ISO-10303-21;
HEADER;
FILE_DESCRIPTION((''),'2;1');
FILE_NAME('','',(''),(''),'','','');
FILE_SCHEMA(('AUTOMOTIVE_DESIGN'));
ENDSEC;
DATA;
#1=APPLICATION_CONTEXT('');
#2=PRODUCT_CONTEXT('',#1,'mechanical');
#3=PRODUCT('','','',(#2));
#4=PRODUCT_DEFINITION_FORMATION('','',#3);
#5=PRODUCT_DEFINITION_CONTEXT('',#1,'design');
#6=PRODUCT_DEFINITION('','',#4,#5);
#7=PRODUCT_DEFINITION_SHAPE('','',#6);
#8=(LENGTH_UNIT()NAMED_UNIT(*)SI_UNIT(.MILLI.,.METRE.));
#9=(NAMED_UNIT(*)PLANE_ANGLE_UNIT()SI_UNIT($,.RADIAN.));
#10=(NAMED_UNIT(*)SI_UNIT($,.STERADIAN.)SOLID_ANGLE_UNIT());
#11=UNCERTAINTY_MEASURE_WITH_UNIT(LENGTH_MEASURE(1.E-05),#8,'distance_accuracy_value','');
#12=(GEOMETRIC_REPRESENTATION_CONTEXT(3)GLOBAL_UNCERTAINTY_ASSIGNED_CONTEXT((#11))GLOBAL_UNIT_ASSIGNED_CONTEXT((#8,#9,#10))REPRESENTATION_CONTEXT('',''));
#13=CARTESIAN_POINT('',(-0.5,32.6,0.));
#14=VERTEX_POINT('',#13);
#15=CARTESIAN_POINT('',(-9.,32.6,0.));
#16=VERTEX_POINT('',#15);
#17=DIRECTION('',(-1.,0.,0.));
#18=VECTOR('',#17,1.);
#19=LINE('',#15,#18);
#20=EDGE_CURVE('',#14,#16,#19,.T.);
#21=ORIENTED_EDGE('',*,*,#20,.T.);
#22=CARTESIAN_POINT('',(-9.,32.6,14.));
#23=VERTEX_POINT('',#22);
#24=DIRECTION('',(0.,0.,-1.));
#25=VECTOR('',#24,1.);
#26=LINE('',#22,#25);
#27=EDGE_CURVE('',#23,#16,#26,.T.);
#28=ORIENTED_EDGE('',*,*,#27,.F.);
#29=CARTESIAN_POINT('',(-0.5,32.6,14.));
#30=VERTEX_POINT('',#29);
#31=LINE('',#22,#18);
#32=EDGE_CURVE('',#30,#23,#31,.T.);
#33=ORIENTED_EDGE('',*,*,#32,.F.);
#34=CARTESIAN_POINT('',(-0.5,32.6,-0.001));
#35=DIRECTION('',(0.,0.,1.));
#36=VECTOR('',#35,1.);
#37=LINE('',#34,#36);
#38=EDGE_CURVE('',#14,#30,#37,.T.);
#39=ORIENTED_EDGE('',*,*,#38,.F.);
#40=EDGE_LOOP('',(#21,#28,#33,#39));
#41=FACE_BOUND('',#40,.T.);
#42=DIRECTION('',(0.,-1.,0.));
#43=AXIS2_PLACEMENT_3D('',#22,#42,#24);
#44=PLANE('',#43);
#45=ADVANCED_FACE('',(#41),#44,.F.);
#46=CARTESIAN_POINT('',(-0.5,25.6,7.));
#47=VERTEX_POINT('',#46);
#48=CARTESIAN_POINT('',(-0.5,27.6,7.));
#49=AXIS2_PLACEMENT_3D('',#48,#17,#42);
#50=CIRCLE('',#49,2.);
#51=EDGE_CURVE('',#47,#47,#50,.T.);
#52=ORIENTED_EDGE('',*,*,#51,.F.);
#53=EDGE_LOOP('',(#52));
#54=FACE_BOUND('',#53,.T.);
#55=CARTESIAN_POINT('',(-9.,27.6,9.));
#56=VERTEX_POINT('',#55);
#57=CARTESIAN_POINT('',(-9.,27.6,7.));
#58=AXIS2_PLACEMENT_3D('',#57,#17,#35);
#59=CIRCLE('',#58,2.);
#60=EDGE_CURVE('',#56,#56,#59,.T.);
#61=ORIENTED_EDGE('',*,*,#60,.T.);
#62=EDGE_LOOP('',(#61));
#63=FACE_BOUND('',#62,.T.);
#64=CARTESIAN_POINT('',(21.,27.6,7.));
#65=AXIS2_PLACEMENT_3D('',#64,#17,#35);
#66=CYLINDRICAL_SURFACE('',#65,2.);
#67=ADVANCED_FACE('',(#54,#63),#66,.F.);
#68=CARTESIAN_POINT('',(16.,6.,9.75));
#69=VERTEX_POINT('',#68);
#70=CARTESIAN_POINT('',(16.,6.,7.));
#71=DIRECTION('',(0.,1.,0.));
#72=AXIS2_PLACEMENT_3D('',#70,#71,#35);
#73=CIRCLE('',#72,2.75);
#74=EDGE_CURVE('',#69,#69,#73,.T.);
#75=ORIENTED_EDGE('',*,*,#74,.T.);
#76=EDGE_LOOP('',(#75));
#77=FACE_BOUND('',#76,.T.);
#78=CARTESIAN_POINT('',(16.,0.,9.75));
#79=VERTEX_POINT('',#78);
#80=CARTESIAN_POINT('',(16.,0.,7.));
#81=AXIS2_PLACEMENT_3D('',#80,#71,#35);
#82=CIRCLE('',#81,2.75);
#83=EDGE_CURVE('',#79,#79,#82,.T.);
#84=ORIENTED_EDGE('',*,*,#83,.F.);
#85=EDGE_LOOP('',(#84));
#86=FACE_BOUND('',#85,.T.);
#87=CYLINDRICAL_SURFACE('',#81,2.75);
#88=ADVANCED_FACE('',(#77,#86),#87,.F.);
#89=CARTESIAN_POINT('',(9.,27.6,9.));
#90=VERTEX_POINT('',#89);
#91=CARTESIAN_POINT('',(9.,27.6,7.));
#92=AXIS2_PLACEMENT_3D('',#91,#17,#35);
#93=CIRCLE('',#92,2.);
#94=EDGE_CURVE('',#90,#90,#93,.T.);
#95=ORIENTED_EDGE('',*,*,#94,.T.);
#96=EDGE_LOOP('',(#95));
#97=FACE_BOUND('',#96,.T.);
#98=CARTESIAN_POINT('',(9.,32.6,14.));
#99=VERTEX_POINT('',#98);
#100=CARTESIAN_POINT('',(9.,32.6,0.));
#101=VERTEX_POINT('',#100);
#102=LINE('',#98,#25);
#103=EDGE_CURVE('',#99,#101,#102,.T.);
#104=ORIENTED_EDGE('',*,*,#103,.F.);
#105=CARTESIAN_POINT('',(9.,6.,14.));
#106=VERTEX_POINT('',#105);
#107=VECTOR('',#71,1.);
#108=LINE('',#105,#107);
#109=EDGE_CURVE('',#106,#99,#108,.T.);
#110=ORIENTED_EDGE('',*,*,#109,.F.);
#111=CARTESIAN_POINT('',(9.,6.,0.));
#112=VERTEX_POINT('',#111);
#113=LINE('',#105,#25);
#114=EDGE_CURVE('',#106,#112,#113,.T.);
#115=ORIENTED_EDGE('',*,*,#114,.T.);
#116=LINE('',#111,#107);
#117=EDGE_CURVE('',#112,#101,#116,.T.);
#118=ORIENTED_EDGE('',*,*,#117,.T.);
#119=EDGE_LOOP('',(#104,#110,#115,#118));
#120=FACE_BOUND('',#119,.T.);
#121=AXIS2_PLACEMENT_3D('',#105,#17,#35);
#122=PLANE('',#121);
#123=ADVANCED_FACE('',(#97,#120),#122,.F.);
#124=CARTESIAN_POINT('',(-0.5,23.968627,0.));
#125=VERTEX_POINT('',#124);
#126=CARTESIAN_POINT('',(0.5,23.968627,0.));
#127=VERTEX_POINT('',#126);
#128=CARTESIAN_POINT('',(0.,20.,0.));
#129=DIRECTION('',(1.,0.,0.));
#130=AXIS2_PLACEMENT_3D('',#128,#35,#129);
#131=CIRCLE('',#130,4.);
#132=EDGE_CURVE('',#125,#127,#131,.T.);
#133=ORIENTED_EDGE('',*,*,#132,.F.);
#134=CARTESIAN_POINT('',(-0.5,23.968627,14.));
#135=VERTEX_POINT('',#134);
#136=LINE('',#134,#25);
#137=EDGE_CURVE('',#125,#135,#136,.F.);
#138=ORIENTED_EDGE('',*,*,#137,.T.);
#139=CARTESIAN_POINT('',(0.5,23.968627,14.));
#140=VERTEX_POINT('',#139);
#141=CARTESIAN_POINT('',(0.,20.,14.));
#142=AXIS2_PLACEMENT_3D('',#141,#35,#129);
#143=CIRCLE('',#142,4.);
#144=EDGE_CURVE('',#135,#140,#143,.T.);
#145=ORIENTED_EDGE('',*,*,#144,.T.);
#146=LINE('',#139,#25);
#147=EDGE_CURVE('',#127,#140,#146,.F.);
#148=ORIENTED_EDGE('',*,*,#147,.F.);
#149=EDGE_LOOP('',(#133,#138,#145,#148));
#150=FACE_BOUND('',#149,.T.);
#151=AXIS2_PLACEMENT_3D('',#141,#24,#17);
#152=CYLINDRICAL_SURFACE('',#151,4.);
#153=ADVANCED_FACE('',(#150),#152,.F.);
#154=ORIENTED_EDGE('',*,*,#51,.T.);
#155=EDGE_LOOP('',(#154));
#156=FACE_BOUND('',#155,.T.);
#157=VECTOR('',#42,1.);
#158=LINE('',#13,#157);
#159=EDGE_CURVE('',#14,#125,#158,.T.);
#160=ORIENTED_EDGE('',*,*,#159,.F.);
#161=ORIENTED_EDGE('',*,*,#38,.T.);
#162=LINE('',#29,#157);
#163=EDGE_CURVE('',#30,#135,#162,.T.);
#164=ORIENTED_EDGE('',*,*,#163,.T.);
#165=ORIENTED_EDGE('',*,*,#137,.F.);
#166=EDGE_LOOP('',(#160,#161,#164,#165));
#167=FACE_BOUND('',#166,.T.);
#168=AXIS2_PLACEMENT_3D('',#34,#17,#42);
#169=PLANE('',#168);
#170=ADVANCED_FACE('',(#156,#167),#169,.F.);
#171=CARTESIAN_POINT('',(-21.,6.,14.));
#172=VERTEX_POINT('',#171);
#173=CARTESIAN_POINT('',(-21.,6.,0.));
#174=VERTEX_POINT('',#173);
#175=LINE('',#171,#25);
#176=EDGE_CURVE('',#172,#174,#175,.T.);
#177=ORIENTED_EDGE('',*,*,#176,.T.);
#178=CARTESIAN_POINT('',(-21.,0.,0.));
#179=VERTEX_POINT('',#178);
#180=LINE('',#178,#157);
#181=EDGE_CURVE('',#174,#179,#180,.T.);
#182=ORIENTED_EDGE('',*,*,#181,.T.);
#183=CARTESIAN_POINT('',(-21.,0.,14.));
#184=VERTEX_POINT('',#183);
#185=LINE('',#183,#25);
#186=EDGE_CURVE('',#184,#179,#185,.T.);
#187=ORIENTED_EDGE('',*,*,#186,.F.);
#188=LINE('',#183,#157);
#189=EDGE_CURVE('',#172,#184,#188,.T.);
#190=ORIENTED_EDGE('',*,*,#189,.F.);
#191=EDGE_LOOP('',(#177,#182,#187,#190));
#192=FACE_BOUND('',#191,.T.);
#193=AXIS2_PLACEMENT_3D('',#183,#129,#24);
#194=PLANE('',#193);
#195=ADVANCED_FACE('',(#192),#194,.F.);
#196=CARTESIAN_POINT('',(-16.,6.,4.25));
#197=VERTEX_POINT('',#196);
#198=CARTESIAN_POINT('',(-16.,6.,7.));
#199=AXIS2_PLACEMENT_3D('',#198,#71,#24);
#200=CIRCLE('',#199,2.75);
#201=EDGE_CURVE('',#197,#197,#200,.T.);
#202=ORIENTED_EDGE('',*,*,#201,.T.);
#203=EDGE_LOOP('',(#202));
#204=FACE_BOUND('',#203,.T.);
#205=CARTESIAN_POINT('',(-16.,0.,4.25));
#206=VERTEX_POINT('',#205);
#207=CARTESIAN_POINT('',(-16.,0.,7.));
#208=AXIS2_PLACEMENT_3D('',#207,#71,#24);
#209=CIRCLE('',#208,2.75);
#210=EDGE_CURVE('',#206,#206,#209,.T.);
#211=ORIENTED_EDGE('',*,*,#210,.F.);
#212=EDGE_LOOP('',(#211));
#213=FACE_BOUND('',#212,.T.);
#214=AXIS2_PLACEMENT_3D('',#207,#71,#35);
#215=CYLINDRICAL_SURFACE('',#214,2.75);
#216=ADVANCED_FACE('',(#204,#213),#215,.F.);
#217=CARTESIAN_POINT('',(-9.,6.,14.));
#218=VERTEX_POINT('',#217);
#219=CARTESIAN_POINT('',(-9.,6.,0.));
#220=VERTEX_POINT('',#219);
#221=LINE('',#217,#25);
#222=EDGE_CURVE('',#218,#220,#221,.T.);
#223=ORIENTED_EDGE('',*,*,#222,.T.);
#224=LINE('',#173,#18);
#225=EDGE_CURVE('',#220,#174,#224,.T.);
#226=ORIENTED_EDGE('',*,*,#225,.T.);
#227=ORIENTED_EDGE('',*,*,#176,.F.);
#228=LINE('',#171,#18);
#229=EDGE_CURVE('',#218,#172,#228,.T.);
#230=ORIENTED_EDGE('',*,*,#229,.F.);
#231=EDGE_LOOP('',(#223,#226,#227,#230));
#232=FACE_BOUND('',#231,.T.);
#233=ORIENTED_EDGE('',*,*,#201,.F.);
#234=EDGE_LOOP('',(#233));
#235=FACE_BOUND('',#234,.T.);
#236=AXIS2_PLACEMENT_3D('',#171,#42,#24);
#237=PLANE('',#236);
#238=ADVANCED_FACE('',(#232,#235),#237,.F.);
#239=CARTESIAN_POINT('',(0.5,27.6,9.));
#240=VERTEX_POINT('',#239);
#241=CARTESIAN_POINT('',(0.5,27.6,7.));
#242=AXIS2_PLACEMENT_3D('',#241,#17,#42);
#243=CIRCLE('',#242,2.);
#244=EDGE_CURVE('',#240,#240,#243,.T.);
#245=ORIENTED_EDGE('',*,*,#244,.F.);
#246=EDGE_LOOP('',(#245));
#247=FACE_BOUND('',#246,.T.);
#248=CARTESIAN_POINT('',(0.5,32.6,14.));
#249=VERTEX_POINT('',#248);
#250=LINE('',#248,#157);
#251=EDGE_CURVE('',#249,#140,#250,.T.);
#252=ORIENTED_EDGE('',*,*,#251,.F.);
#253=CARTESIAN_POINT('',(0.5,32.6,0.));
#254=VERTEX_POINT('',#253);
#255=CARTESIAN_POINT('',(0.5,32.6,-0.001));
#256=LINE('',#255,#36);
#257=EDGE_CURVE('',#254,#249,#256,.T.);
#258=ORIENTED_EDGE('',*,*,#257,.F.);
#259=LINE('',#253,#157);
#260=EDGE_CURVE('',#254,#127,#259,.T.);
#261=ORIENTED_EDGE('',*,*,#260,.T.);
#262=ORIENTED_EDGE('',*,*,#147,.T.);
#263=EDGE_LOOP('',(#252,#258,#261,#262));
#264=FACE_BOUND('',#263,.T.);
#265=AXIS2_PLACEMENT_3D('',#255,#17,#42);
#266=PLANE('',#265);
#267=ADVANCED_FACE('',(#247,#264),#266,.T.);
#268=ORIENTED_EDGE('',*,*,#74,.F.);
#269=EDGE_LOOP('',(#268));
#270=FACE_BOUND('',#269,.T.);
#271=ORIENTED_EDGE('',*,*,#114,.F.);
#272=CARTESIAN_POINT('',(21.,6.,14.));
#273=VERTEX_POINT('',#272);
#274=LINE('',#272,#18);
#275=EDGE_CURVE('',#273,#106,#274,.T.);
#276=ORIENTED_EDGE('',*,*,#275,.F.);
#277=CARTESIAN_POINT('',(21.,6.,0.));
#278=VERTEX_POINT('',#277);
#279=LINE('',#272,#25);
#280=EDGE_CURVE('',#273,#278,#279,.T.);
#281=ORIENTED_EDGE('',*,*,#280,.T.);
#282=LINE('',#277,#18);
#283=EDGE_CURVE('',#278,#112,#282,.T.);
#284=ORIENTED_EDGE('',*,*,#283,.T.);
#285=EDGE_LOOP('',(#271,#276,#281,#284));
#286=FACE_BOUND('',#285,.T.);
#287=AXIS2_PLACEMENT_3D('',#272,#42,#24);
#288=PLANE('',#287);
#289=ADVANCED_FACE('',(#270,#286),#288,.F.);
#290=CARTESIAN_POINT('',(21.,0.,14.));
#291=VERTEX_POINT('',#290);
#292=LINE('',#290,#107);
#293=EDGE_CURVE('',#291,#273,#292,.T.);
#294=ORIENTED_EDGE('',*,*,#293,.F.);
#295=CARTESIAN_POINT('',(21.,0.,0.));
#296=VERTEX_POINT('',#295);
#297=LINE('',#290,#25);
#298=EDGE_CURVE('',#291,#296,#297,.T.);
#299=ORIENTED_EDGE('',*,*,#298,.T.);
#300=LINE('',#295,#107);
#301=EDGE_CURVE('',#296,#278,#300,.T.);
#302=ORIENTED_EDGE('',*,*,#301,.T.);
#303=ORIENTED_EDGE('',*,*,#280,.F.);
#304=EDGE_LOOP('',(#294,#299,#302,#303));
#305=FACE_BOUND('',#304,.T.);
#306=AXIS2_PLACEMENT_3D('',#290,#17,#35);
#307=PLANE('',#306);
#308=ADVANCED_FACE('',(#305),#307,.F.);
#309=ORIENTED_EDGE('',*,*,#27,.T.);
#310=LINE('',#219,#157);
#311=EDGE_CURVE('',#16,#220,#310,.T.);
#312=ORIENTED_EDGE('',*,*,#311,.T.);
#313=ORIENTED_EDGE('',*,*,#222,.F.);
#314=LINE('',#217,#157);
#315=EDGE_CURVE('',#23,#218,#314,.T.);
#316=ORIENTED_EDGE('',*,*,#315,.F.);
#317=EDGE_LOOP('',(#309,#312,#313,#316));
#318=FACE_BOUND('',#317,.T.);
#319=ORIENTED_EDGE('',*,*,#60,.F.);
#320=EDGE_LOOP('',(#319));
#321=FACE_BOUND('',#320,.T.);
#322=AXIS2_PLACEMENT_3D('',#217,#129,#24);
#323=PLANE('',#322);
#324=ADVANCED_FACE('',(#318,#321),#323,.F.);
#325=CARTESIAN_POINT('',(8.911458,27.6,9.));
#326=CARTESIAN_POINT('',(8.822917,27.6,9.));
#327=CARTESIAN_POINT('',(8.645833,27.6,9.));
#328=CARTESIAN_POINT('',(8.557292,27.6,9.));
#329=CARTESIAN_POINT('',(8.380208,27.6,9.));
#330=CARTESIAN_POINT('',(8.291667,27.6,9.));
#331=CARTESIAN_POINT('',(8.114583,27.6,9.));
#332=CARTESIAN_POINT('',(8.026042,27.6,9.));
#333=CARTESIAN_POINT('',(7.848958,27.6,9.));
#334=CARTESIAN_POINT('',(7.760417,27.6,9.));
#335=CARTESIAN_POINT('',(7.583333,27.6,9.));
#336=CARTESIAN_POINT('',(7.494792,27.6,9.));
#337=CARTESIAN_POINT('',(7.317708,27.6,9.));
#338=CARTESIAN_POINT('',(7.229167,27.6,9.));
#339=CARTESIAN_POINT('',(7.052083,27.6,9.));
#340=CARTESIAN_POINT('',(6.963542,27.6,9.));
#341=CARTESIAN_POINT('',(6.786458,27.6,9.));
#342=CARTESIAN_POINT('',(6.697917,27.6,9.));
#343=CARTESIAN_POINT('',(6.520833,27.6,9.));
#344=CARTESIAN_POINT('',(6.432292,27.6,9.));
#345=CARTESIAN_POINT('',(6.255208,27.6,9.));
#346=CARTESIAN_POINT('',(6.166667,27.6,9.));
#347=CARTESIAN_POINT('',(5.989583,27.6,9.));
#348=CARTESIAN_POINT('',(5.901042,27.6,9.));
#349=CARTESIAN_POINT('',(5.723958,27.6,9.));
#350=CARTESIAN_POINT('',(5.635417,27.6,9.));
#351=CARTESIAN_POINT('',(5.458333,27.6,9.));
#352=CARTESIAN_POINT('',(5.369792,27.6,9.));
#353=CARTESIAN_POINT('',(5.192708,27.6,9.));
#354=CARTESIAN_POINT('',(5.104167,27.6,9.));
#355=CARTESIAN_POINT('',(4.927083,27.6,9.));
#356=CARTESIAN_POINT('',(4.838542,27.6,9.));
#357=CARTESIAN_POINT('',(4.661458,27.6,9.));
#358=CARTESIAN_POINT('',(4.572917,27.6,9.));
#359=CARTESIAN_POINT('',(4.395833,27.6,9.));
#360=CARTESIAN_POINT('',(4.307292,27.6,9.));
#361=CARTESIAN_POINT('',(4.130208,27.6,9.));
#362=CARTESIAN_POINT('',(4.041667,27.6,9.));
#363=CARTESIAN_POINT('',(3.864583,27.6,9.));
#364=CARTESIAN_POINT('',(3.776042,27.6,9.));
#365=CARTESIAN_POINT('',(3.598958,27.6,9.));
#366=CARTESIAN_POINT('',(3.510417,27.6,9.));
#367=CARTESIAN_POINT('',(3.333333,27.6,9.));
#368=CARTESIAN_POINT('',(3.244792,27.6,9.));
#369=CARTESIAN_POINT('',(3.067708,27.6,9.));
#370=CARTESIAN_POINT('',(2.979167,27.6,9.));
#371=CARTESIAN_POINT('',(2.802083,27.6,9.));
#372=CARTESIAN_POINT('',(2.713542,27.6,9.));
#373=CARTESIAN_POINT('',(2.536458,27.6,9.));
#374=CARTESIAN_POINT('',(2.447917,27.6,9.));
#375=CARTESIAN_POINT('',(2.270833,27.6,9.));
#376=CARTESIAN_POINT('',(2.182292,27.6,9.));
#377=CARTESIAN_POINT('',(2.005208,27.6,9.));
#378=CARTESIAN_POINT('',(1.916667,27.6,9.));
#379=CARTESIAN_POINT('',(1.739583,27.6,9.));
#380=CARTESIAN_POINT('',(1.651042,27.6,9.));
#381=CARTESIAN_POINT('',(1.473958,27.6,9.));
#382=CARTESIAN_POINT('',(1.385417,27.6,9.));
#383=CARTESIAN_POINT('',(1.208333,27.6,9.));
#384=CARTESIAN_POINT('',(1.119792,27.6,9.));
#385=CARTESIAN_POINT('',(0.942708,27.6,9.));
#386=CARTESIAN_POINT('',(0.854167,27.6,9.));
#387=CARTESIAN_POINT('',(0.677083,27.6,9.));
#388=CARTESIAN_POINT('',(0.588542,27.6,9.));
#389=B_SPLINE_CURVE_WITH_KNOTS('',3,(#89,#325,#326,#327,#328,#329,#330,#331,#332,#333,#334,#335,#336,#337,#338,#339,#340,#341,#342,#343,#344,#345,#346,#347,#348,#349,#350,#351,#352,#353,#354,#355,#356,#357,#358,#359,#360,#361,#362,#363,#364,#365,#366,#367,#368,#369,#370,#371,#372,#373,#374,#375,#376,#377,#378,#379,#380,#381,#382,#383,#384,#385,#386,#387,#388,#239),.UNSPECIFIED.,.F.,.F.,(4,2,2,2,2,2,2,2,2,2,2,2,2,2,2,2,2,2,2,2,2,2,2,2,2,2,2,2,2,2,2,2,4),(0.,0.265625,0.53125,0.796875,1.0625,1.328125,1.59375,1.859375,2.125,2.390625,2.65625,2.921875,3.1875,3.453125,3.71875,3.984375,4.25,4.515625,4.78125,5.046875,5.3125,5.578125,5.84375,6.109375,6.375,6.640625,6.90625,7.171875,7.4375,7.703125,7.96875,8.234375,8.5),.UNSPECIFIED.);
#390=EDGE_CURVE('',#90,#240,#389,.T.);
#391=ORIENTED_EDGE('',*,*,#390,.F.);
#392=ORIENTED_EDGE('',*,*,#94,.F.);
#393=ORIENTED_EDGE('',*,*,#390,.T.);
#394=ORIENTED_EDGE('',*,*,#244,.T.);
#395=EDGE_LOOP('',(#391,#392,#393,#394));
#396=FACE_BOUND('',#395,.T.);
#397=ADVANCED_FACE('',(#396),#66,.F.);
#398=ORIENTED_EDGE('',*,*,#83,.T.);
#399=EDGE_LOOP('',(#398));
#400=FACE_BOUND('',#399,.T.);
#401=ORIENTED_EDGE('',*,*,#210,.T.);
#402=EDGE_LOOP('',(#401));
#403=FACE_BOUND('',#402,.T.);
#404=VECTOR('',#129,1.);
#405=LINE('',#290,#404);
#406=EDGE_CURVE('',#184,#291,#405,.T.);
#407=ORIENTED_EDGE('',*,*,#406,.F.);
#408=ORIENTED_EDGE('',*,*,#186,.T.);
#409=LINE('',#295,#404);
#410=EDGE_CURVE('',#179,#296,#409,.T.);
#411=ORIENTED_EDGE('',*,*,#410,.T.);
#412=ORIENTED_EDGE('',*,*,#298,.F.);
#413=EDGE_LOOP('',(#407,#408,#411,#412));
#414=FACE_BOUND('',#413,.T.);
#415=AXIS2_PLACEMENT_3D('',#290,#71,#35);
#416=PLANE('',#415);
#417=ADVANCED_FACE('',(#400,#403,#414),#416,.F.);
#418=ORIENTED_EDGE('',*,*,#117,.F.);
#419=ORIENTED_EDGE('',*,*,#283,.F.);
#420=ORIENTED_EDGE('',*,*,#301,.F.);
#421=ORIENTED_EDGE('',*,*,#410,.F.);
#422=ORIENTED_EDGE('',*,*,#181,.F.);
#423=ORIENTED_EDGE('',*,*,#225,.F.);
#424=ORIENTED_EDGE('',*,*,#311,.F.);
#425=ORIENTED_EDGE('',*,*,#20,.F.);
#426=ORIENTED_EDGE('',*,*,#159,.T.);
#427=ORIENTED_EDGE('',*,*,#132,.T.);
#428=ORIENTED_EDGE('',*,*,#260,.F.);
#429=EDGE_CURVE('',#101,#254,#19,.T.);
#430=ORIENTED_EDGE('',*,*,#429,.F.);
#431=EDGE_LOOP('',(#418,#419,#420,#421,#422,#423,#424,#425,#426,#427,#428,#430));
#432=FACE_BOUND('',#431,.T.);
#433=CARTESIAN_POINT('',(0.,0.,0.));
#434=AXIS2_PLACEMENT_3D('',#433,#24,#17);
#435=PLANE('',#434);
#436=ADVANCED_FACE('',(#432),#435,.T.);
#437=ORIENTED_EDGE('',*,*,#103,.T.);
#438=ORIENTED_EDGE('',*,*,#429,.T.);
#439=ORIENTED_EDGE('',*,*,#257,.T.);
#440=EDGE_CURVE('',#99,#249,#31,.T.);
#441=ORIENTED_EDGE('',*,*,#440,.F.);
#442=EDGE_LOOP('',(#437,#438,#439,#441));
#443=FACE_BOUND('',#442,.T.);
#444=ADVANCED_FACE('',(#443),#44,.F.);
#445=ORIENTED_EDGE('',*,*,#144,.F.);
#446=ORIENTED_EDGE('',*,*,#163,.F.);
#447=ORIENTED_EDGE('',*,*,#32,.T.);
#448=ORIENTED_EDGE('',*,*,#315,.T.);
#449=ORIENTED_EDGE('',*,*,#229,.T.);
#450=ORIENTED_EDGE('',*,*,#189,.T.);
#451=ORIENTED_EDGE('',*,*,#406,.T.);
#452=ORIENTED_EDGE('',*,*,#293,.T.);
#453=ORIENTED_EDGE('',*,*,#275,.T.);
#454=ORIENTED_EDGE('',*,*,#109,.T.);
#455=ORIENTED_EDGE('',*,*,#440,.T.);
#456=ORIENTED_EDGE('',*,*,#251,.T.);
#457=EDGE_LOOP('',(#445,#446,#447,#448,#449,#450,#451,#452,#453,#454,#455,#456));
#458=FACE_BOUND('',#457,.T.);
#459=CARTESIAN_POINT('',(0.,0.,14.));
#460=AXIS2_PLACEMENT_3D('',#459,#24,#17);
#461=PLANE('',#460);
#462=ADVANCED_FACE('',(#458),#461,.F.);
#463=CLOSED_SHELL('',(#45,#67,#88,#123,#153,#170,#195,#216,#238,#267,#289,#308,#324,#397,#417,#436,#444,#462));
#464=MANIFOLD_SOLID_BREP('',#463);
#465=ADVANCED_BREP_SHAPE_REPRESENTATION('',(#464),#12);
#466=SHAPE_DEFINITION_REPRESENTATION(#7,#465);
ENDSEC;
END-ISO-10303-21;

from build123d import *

# Parameters (mm, degrees)
SKETCH_1_R          = 4
EXTRUDE_1_DEPTH     = 14
SKETCH_2_R          = 2.75
CUT_EXTRUDE_1_DEPTH = 37.66824239
SKETCH_3_R          = 2
CUT_EXTRUDE_2_DEPTH = 47.462457963
CUT_EXTRUDE_3_REACH = 43.228
SKETCH_4_W          = 1
SKETCH_4_H          = 8.631373033


with BuildPart() as part:
    # 草图1 → 凸台-拉伸1 (new body)
    with BuildSketch(Plane.XY):
        Polygon((21, 0), (-21, 0), (-21, 6), (-9, 6), (-9, 32.6), (9, 32.6), (9, 6), (21, 6), align=None)
        with Locations((0, 20)):
            Circle(SKETCH_1_R, mode=Mode.SUBTRACT)
    extrude(amount=EXTRUDE_1_DEPTH)

    # 草图2 → 切除-拉伸1 (cut, through all)
    with BuildSketch(Plane(origin=(0, 6, 0), x_dir=(1, 0, 0), z_dir=(0, 1, 0))):
        with Locations(Location((16, -7, 0), (0, 0, 270))):
            Circle(SKETCH_2_R)
        with Locations(Location((-16, -7, 0), (0, 0, 90))):
            Circle(SKETCH_2_R)
    extrude(amount=-CUT_EXTRUDE_1_DEPTH, mode=Mode.SUBTRACT)

    # 草图3 → 切除-拉伸2 (cut, through all)
    with BuildSketch(Plane.ZY.offset(9)):
        with Locations((7, 27.6)):
            Circle(SKETCH_3_R)
    extrude(amount=-CUT_EXTRUDE_2_DEPTH, mode=Mode.SUBTRACT)

    # 草图4 → 切除-拉伸3 (cut, up to next)
    with BuildSketch(Plane.XY.offset(14), mode=Mode.PRIVATE) as cut_extrude_3_sk1:
        with Locations((0, 28.284313484)):
            Rectangle(SKETCH_4_W, SKETCH_4_H)
    cut_extrude_3_tool1 = extrude(cut_extrude_3_sk1.sketch, amount=-CUT_EXTRUDE_3_REACH, mode=Mode.PRIVATE) & part.part
    add(cut_extrude_3_tool1.solids().sort_by_distance((0, 28.284313, 14))[0], mode=Mode.SUBTRACT)


solid = part.part
